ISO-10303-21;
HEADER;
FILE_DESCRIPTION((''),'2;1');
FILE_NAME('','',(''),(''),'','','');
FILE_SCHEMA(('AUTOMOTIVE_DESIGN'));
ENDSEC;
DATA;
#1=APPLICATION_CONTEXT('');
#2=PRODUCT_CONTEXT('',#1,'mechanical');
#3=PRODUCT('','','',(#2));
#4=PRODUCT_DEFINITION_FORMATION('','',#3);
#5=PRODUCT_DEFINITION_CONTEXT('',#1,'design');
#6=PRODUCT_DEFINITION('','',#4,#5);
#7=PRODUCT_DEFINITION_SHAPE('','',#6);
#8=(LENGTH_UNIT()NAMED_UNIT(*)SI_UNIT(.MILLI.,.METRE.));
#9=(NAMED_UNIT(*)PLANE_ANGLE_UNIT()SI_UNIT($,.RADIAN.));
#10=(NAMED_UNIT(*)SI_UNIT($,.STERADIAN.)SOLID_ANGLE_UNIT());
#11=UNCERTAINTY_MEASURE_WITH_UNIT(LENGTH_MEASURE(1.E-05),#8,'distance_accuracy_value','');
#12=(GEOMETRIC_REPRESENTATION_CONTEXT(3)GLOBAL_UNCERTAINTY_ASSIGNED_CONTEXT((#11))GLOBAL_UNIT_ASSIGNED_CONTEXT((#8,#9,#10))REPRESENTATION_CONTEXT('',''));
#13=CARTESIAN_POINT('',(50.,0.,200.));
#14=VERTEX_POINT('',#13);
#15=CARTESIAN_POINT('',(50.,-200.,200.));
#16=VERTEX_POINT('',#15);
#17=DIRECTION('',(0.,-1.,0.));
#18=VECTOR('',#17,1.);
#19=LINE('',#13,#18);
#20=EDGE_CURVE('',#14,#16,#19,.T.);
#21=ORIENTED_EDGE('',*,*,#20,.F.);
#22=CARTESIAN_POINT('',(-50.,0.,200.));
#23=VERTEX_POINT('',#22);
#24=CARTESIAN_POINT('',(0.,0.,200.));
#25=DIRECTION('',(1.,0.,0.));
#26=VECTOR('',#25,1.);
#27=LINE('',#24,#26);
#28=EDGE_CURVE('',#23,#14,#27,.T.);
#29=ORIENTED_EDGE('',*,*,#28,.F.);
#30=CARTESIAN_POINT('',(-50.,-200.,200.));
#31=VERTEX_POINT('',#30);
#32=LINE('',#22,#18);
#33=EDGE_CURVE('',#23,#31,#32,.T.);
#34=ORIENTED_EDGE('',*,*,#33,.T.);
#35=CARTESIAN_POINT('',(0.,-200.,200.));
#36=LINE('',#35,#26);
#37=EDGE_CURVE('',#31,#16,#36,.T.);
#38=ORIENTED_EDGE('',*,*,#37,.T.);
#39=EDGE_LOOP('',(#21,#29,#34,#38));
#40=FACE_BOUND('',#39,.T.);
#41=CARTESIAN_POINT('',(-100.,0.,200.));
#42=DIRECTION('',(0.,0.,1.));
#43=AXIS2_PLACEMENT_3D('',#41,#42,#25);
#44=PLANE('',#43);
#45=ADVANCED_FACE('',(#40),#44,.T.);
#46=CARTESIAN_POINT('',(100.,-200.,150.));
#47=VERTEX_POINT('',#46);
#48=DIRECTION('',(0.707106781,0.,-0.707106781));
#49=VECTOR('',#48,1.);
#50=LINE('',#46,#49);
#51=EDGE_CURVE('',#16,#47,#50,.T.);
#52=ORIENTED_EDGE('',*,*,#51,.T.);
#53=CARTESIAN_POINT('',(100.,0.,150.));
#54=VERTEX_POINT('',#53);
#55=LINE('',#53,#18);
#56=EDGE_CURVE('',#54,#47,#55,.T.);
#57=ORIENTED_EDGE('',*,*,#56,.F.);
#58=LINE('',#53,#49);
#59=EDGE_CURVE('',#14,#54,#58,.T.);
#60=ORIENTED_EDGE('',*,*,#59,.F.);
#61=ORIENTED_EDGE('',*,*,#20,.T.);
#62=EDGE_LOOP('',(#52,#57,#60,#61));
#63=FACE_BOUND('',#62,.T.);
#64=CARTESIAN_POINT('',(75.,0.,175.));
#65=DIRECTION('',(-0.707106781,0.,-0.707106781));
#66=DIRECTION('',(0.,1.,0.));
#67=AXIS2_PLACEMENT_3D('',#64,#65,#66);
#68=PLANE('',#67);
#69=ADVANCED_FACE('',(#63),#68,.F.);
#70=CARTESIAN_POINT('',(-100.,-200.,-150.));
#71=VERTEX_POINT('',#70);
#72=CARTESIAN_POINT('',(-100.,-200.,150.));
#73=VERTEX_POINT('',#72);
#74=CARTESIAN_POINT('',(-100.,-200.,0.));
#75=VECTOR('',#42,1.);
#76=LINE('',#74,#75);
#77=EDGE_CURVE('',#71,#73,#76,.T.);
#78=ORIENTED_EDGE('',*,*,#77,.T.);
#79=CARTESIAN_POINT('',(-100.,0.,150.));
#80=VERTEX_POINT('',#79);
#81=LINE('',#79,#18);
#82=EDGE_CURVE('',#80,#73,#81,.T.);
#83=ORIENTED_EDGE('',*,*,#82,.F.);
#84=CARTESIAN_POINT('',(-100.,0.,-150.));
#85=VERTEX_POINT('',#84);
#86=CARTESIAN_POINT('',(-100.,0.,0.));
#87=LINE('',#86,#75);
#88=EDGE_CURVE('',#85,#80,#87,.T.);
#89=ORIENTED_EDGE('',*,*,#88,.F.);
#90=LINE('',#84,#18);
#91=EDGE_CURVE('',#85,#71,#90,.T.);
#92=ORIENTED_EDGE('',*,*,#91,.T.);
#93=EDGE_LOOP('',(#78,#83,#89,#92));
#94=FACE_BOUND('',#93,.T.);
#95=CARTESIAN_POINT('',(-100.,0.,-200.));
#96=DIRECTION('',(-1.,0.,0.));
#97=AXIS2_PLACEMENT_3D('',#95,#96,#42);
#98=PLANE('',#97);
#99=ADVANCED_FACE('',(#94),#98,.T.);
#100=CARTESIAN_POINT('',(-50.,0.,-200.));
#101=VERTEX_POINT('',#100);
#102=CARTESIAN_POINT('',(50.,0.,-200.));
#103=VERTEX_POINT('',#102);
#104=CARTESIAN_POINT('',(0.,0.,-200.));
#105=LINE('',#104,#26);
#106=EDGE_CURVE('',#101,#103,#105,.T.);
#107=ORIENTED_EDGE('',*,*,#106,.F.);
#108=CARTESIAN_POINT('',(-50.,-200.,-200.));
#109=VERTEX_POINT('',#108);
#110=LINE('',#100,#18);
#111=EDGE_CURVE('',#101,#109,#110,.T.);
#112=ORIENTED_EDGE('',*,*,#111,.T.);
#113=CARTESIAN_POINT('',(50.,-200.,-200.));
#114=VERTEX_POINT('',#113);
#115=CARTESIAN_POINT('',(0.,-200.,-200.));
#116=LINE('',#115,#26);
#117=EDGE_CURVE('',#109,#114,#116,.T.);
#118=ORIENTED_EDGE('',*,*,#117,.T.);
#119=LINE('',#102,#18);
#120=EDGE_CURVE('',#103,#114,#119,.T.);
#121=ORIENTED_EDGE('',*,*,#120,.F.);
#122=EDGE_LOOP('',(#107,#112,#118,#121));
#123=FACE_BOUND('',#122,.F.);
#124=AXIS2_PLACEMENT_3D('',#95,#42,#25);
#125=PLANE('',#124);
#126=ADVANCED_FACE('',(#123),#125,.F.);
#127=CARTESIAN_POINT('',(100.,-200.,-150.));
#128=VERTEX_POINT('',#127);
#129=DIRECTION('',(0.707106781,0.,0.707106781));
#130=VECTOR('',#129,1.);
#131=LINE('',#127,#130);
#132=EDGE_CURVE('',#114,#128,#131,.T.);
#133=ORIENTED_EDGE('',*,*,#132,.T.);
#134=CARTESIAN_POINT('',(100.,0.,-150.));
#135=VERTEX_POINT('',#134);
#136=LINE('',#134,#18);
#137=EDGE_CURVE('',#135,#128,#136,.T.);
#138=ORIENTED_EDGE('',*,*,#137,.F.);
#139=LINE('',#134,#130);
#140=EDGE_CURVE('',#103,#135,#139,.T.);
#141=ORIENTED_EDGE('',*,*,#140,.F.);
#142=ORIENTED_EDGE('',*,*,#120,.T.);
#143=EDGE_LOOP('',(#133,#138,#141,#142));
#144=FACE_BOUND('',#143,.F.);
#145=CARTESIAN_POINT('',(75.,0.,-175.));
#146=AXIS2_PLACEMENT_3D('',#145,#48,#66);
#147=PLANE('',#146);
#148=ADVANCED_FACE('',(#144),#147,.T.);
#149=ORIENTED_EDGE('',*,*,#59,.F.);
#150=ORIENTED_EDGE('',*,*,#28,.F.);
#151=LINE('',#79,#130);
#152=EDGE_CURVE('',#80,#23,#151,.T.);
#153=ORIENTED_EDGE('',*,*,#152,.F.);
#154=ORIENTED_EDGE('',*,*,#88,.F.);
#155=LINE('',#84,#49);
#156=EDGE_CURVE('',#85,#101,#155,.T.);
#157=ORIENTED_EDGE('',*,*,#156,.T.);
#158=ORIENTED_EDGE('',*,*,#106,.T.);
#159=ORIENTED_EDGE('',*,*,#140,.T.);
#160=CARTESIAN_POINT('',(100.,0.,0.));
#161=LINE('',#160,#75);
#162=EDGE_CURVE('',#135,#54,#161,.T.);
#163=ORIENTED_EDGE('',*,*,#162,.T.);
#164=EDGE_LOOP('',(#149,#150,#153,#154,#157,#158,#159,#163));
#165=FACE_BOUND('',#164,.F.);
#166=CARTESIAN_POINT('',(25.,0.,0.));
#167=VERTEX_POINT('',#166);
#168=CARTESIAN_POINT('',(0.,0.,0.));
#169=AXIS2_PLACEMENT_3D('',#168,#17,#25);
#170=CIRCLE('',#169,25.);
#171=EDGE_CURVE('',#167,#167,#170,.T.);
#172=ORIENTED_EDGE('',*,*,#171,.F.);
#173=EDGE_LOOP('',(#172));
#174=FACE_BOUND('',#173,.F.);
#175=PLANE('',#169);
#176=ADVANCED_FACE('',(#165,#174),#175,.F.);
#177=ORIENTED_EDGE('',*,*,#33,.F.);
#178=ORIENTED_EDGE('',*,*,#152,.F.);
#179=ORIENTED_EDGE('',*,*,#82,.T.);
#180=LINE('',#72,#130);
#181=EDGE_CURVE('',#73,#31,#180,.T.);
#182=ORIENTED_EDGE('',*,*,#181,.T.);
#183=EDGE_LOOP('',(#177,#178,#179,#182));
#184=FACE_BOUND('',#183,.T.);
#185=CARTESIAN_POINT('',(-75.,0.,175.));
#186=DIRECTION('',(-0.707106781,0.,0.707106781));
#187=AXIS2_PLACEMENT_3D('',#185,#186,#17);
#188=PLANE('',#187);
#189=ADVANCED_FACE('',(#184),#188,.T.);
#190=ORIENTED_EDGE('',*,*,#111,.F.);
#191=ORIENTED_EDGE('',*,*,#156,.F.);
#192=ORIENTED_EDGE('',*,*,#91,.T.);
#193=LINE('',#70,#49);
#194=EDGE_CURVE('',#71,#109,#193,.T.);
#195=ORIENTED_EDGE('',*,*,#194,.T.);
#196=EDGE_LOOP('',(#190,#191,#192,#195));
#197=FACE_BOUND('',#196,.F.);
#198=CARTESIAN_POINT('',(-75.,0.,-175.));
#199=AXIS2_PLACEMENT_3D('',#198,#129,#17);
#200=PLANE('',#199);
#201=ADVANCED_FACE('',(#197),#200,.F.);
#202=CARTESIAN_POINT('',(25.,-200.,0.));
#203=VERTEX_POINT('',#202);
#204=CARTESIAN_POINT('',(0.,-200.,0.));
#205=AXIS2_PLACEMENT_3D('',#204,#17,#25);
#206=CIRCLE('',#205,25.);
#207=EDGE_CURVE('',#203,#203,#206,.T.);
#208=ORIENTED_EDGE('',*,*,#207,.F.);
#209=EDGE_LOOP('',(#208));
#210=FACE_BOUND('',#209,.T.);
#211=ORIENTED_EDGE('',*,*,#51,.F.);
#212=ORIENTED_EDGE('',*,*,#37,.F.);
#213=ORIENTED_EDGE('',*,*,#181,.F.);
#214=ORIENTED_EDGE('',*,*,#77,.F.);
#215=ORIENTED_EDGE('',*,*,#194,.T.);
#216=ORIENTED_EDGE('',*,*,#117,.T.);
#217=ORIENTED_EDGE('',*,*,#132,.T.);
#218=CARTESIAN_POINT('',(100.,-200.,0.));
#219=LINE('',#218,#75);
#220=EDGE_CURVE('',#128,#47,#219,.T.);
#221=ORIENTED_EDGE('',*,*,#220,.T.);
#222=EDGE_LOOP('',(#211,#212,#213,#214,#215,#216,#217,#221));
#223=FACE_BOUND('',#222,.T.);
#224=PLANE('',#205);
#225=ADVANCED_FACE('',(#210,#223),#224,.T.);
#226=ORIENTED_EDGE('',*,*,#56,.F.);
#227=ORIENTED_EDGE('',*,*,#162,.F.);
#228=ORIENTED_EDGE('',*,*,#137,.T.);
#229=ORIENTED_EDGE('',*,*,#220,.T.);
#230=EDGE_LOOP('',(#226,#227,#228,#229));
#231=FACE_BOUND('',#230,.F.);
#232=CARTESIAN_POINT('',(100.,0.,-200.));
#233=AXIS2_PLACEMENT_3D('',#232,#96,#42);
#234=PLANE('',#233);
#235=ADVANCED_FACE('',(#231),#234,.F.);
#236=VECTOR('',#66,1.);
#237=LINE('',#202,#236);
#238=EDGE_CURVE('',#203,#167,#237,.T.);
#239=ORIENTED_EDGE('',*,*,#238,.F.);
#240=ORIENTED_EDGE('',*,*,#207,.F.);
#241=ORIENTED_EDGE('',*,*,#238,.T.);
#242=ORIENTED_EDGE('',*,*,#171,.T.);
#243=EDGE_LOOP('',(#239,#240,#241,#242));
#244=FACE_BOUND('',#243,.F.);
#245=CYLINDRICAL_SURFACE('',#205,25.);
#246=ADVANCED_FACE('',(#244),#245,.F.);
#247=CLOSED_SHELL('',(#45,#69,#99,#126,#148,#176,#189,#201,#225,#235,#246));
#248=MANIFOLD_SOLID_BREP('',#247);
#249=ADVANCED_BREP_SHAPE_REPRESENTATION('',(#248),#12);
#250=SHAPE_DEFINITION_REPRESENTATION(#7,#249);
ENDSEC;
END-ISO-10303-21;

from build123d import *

# Parameters (mm, degrees)
F0_W     = 200
F0_H     = 400
F1_DEPTH = 200
F2_R     = 25
F3_DEPTH = 200.001
F4_SIZE  = 50
F5_SIZE  = 50


with BuildPart() as f1:
    # F0 (on Front) → F1 (new body)
    with BuildSketch(Plane.XZ):
        Rectangle(F0_W, F0_H)
    extrude(amount=F1_DEPTH)

    # F2 (on face) → F3 (cut, through all)
    with BuildSketch(Plane.XZ.offset(200)):
        Circle(F2_R)
    extrude(amount=-F3_DEPTH, mode=Mode.SUBTRACT)

    # F4
    f4_edges = [f1.edges().sort_by_distance(p)[0] for p in [
        (-100, -100, -200),
    ]]
    chamfer(f4_edges, length=F4_SIZE)

    # F5
    f5_edges = [f1.edges().sort_by_distance(p)[0] for p in [
        (100, -100, -200),
        (-100, -100, 200),
        (100, -100, 200),
    ]]
    chamfer(f5_edges, length=F5_SIZE)


solid = f1.part
